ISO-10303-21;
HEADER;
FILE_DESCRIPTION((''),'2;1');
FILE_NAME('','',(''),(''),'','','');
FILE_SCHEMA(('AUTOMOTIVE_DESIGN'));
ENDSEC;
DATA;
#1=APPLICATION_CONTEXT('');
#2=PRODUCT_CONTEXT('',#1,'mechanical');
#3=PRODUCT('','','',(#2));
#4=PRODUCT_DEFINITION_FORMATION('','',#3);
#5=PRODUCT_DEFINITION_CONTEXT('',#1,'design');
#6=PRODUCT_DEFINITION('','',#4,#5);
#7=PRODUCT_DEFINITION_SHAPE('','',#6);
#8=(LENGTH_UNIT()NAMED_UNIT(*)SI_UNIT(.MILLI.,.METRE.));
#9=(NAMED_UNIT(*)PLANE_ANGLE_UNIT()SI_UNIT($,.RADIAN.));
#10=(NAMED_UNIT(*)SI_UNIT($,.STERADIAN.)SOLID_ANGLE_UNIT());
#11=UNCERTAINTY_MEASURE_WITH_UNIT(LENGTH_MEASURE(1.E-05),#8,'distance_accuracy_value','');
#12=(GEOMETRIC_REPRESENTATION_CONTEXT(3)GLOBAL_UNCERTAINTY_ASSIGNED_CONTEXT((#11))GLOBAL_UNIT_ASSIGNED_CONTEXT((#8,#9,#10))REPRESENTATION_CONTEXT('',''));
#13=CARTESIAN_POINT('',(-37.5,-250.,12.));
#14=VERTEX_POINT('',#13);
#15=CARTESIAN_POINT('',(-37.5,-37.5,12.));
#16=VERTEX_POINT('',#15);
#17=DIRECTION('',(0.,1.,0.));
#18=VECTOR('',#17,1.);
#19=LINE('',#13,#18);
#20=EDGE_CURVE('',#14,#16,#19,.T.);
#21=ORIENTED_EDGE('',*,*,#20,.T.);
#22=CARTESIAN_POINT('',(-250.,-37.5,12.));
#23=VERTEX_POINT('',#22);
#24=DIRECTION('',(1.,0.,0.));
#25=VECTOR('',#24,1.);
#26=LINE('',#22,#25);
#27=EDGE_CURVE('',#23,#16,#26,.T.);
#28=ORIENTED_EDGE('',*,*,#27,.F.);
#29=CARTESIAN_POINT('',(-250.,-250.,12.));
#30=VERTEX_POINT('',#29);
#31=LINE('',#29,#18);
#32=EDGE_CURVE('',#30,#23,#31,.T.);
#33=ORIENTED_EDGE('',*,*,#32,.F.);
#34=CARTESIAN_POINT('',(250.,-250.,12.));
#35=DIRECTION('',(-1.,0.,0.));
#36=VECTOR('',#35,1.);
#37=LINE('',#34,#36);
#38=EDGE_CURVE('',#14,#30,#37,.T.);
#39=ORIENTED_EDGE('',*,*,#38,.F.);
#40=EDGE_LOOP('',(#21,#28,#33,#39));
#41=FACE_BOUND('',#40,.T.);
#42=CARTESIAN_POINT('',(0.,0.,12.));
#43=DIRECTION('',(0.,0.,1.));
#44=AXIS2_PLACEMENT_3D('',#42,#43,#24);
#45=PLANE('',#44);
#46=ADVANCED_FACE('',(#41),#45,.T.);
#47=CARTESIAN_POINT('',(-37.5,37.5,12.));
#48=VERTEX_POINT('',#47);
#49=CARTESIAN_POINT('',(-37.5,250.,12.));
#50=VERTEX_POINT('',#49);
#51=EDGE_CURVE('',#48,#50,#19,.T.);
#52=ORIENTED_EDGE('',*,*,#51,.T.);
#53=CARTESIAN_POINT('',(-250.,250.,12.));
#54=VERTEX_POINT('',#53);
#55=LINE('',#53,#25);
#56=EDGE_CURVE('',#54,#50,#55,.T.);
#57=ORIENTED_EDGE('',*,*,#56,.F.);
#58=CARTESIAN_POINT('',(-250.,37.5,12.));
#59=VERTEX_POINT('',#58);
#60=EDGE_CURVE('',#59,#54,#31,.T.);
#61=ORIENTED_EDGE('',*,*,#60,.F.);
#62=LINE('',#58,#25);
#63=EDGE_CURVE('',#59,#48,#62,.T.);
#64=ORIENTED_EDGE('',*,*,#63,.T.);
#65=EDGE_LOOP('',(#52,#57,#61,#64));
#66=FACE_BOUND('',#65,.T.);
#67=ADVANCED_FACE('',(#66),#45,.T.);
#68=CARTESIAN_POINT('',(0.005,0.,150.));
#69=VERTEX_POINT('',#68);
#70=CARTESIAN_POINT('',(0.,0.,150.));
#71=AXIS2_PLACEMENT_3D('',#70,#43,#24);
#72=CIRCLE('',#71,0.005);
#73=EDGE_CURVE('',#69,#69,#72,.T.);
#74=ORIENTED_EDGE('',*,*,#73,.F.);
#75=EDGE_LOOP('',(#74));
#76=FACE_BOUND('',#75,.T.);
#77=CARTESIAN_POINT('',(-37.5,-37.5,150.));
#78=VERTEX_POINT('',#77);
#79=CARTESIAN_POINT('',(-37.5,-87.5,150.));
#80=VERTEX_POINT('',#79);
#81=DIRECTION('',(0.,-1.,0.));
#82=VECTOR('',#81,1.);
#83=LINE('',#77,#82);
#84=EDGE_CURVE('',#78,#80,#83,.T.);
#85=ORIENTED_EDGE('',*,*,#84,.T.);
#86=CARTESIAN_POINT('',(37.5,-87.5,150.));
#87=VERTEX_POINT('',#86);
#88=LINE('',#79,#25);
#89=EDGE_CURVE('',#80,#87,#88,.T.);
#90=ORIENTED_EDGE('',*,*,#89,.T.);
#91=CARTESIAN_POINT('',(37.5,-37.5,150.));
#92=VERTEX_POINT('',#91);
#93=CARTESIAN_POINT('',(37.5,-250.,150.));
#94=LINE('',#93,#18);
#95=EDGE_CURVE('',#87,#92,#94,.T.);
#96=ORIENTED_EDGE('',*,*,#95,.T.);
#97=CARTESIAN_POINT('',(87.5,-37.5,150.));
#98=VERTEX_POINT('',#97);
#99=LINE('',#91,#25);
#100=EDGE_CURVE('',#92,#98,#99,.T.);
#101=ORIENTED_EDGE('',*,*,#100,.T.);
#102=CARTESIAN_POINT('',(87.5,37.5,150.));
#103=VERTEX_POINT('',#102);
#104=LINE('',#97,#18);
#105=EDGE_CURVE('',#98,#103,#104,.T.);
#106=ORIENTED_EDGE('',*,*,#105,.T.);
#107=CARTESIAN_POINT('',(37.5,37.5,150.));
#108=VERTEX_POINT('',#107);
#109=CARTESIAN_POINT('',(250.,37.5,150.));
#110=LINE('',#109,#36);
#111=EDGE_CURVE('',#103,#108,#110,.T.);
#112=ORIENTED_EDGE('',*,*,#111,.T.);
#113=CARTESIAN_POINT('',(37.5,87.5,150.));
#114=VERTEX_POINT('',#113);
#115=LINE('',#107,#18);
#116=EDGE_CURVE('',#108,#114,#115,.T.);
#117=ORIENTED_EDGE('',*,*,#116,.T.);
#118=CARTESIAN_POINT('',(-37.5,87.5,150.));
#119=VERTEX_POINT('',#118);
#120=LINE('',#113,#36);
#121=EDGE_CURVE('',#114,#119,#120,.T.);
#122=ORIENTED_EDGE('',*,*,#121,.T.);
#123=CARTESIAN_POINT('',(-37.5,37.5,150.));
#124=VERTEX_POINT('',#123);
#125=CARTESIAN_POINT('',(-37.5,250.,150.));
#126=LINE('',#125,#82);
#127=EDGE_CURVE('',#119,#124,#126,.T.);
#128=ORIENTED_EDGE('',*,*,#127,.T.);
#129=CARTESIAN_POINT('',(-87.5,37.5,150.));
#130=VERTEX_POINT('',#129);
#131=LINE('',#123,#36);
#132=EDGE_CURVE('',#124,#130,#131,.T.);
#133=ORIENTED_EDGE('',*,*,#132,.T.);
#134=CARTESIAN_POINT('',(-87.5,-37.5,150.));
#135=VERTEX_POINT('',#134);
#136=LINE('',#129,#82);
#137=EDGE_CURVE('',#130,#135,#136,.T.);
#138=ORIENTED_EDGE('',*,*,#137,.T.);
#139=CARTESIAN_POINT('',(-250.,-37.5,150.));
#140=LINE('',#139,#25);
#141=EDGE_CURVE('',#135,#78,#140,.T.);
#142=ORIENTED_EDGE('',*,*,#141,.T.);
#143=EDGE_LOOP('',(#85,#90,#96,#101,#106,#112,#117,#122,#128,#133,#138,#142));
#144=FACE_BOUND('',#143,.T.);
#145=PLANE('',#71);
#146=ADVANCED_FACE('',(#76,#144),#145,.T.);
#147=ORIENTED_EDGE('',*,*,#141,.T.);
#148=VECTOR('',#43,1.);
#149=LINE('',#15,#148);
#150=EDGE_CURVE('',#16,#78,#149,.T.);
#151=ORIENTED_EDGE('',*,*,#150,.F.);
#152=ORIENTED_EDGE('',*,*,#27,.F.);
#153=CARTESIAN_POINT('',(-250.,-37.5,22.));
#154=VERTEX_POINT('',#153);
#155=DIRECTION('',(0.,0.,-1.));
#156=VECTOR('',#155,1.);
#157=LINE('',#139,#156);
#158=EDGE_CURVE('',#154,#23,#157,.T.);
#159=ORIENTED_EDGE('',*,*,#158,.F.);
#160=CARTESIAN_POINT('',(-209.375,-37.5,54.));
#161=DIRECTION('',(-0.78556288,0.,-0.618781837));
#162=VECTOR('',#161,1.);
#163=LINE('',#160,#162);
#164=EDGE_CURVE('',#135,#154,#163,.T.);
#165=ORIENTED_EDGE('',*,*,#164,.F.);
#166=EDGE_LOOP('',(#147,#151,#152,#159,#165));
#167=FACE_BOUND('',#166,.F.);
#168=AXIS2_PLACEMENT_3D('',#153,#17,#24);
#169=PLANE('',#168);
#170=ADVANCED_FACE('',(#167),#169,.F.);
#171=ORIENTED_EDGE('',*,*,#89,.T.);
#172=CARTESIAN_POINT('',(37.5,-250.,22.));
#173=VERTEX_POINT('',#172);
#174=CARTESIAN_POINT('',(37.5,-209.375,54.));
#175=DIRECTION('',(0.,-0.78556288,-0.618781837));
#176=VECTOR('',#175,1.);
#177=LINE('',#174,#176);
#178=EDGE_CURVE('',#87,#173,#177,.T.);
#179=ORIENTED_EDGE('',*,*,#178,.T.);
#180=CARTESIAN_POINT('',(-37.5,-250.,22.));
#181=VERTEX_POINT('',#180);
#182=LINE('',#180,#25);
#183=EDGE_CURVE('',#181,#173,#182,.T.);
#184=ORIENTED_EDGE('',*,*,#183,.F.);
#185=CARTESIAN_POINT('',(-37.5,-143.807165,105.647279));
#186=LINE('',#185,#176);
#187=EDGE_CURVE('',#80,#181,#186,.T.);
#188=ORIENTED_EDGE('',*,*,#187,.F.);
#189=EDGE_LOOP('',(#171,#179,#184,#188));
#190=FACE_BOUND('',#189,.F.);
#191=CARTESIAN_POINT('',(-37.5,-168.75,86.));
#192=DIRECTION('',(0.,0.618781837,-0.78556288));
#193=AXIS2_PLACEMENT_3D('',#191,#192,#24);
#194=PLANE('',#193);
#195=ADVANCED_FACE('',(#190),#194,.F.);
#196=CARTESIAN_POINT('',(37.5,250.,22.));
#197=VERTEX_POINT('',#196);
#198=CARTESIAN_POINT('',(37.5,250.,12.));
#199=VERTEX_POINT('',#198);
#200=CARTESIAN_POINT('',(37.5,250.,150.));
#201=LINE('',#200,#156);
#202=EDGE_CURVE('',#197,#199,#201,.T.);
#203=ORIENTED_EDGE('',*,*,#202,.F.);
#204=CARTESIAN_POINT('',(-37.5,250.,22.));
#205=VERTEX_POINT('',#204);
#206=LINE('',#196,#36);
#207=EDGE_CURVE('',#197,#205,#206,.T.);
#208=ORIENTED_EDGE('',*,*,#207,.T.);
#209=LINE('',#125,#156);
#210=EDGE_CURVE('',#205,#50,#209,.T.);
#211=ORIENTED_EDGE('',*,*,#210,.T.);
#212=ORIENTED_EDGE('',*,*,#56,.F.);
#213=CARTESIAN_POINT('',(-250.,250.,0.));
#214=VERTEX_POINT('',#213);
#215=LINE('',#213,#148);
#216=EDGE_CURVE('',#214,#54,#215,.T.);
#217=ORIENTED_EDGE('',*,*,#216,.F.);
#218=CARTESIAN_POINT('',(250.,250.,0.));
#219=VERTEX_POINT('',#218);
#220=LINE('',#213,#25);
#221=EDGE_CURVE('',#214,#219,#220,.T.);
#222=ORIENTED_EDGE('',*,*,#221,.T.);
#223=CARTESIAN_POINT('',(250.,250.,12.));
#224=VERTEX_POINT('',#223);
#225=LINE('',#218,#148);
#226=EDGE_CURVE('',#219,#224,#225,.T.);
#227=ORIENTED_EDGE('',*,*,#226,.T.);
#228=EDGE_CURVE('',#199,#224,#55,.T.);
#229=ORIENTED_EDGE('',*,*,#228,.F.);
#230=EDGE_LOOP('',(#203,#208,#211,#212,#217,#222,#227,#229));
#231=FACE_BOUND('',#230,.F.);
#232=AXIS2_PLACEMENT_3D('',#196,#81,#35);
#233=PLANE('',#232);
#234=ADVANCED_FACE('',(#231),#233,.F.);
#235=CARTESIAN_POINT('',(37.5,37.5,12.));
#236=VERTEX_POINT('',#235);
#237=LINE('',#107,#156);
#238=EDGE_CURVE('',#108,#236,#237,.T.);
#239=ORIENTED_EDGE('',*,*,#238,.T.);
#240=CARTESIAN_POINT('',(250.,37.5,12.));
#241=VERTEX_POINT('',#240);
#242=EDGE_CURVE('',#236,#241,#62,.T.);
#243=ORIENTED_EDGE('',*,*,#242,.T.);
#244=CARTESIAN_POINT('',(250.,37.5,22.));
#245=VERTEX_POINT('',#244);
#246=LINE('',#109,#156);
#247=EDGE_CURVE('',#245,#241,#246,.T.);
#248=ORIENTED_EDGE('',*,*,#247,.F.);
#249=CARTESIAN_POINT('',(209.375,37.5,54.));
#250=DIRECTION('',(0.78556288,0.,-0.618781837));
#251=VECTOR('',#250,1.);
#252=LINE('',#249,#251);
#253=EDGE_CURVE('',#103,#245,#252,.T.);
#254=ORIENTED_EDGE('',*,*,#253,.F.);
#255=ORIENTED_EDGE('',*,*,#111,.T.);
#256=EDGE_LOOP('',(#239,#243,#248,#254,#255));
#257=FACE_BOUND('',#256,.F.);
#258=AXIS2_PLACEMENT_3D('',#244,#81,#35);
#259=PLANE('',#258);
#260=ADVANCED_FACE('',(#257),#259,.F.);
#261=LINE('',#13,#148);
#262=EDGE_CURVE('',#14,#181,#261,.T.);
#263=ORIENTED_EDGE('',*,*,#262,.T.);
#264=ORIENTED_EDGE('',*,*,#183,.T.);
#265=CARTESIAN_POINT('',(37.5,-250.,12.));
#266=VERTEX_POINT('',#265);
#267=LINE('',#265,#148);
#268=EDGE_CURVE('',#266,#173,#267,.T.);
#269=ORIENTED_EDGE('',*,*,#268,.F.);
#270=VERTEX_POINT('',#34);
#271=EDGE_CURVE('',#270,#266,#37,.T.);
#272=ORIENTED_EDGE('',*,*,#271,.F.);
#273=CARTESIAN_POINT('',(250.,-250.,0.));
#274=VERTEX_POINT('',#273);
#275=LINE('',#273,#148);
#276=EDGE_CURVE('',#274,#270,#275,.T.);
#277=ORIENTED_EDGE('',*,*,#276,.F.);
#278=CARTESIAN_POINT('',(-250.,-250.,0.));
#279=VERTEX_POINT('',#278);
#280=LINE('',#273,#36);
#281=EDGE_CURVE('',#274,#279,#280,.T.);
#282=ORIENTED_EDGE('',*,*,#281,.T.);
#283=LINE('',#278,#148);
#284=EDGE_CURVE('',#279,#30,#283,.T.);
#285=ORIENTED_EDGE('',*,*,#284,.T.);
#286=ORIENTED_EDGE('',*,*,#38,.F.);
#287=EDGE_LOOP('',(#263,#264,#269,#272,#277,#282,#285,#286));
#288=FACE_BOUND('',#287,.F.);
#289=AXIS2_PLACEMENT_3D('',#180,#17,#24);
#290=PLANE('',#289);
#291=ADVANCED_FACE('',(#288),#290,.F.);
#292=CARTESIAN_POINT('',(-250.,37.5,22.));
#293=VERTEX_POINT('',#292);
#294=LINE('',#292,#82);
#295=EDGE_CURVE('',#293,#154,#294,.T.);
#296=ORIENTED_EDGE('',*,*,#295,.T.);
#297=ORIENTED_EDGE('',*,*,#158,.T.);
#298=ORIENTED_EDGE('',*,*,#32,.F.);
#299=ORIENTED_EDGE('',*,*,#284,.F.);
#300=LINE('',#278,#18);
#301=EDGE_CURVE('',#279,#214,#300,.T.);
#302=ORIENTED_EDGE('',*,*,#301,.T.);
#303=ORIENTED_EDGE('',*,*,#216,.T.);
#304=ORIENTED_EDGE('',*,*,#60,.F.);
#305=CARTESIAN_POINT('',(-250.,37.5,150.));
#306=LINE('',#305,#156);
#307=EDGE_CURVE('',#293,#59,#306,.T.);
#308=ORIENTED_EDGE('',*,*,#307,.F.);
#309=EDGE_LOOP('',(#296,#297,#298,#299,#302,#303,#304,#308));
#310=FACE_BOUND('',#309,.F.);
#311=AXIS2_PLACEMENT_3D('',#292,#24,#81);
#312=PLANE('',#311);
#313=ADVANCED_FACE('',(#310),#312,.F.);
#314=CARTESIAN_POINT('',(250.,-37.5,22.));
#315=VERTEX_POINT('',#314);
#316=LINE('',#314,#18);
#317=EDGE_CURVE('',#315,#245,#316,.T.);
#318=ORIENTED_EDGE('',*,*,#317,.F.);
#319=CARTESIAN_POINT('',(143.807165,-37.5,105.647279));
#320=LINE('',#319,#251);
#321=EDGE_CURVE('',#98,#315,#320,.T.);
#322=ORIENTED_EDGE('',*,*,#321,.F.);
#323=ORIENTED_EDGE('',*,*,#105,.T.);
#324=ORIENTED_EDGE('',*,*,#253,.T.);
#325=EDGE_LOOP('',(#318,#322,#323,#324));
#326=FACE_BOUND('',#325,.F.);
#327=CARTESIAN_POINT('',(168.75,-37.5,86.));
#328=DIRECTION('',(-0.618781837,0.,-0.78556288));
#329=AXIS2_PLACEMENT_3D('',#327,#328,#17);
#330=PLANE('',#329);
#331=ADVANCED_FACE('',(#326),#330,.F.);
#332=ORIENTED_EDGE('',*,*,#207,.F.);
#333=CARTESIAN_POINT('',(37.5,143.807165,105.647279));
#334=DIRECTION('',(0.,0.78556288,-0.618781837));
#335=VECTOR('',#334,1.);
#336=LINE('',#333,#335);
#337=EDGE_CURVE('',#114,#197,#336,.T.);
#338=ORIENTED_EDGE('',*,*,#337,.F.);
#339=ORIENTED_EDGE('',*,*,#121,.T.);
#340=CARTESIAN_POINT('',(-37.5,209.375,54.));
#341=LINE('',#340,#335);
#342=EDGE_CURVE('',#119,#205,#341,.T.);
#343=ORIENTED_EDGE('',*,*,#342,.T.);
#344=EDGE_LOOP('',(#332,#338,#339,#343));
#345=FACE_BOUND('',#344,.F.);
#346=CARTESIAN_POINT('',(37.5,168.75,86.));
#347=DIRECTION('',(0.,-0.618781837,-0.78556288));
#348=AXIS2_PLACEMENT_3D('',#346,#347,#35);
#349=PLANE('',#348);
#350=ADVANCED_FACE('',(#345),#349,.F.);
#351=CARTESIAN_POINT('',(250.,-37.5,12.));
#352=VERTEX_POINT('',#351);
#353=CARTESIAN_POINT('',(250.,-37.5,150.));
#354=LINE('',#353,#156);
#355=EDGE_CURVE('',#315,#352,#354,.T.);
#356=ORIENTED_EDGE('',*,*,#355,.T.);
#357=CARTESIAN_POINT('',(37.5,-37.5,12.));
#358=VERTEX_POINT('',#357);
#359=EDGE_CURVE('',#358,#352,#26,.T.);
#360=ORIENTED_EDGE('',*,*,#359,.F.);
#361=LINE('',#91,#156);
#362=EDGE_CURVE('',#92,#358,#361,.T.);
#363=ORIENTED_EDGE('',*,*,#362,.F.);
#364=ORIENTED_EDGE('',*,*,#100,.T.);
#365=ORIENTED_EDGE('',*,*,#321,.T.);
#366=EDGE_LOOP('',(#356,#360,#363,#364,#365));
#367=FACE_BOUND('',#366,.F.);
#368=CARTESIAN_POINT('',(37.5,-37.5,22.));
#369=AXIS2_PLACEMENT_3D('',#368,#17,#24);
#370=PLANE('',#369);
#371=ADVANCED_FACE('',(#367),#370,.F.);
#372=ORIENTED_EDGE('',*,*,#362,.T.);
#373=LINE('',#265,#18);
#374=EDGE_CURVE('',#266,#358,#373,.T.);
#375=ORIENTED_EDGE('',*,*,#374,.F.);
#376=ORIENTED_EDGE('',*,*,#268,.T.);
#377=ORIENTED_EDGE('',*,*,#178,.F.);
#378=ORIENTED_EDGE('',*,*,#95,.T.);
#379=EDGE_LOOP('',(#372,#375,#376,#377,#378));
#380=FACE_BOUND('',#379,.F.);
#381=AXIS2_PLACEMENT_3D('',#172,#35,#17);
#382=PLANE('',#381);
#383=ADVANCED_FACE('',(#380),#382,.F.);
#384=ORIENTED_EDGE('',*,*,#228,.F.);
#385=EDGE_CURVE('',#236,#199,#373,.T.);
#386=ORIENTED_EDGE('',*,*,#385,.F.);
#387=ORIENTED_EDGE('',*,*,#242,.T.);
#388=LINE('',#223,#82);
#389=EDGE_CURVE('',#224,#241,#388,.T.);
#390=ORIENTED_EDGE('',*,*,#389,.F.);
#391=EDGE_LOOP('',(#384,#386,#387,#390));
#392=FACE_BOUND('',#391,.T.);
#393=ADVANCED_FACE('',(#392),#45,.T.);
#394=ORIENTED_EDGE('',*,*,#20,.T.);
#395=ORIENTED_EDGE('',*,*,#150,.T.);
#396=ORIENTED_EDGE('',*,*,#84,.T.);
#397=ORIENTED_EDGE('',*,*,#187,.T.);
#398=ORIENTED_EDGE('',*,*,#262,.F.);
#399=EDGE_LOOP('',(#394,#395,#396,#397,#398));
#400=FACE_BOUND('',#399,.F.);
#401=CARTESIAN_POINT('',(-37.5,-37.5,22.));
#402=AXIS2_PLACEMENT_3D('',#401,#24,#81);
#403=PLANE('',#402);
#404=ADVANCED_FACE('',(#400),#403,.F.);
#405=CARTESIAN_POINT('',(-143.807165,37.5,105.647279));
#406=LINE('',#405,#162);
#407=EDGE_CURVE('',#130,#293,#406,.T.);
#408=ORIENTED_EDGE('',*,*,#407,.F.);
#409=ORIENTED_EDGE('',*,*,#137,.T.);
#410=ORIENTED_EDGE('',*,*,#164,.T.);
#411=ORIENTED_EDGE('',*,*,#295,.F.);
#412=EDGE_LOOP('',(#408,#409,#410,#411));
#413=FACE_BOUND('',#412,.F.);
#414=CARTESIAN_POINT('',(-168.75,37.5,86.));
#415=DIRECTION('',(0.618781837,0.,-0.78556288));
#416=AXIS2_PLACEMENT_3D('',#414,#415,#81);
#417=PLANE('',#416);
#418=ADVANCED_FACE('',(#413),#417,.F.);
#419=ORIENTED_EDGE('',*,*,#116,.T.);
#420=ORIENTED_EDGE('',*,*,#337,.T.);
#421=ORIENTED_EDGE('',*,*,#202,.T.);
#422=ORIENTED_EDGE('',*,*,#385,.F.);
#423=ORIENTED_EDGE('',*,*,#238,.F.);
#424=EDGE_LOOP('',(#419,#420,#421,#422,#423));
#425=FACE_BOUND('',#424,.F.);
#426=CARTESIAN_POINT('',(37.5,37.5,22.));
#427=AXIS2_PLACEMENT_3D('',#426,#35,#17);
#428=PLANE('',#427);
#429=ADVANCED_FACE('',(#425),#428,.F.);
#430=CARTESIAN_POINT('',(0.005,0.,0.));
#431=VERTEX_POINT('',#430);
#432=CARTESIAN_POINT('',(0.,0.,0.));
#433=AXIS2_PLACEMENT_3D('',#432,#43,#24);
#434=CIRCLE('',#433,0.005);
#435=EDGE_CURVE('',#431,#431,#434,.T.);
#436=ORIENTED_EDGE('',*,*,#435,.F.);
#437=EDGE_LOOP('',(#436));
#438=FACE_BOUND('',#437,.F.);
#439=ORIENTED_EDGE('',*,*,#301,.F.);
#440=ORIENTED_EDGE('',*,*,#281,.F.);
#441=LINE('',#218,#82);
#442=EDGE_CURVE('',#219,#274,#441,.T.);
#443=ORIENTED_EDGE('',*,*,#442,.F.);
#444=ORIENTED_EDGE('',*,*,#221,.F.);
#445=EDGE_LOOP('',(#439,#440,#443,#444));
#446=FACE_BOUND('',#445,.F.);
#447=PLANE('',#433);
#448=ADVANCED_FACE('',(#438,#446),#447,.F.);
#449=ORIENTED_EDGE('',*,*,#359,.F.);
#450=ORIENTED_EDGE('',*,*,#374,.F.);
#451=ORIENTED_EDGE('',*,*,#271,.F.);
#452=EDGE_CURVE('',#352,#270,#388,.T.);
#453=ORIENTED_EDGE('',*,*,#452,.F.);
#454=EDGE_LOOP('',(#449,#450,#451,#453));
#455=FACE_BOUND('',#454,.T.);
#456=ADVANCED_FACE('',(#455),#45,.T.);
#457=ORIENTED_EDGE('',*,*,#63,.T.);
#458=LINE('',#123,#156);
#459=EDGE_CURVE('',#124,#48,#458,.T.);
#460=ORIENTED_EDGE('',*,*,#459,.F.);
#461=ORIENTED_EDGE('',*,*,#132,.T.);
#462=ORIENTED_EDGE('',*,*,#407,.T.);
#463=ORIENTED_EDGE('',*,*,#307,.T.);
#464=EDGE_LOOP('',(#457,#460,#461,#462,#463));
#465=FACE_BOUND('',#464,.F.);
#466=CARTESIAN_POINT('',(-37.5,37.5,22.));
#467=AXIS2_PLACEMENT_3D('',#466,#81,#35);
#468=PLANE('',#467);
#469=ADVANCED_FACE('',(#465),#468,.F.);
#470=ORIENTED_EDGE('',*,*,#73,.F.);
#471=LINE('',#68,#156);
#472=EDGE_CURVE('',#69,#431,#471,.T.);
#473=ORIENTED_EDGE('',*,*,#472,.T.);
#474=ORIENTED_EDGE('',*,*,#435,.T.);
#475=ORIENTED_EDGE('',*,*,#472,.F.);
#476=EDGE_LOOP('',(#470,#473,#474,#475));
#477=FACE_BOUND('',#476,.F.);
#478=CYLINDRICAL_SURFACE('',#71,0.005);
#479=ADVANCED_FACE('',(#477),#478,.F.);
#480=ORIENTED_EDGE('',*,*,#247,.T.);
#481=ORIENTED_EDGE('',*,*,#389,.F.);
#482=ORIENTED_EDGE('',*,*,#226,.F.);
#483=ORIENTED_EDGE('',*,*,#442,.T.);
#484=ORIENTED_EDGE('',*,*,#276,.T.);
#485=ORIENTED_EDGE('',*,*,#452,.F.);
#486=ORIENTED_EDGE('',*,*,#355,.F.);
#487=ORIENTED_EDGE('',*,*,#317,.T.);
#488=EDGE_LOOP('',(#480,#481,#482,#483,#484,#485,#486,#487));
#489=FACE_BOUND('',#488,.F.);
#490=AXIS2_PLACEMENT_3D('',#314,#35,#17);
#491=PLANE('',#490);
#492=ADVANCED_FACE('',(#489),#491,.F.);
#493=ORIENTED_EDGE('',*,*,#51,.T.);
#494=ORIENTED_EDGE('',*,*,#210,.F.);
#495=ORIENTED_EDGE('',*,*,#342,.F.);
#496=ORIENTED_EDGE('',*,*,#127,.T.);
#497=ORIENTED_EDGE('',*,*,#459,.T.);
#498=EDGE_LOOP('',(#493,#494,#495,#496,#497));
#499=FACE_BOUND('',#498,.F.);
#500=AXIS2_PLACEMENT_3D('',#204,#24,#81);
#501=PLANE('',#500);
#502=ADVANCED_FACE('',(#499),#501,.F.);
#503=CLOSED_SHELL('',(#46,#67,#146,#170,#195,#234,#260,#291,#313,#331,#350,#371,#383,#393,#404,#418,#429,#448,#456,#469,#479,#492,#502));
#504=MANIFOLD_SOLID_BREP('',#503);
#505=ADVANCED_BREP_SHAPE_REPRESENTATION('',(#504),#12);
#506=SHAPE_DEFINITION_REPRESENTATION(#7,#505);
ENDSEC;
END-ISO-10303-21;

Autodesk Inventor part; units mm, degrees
ref_plane "YZ Plane" through (0, 0, 0) normal (1, 0, 0) x (0, 1, 0)
ref_plane "XZ Plane" through (0, 0, 0) normal (0, 1, 0) x (-1, 0, 0)
ref_plane "XY Plane" through (0, 0, 0) normal (0, 0, 1) x (1, 0, 0)
sketch "スケッチ1" plane through (0, 0, 0) normal (0, 0, 1) x (1, 0, 0)
  line L0 (250, 250) -> (250, -250)
  line L1 (250, -250) -> (-250, -250)
  line L2 (-250, -250) -> (-250, 250)
  line L3 (-250, 250) -> (250, 250)
  point P0 (0, 0)
  point P1 (0, 0)
  dimension "d0" = 500
extrude "押し出し1" add sketch "スケッチ1" along normal blind 12
sketch "スケッチ2" plane through (0, 0, 12) normal (0, 0, 1) x (1, 0, 0)
  line L0 (250, -250) -> (250, 250) projected
  line L1 (250, 250) -> (-250, 250) projected
  line L2 (-250, 250) -> (-250, -250) projected
  line L3 (-250, -250) -> (250, -250) projected
  line L4 (-250, -250) -> (-37.5, -250)
  line L5 (-250, -250) -> (250, -250) projected
  line L6 (-37.5, -250) -> (37.5, -250)
  line L7 (-37.5, -250) -> (-37.5, 250)
  line L8 (37.5, -250) -> (37.5, 250)
  line L9 (250, 250) -> (-250, 250) projected
  line L10 (-250, -250) -> (-250, -37.5)
  line L11 (-250, 250) -> (-250, -250) projected
  line L12 (-250, -37.5) -> (250, -37.5)
  line L13 (-250, -37.5) -> (-250, 37.5)
  line L14 (-250, 37.5) -> (250, 37.5)
  point P0 (0, 0)
  dimension "d3" = 212.5
  dimension "d4" = 75
  dimension "d5" = 212.5
  dimension "d6" = 75
extrude "押し出し2" add sketch "スケッチ2" along normal blind 10 contours L12 L8 L14 L0 | L3 L7 L12 L8 | L12 L7 L14 L8 | L14 L7 L1 L8 | L12 L2 L14 L7
sketch "スケッチ3" plane through (0, 0, 22) normal (0, 0, 1) x (1, 0, 0)
  line L0 (-37.5, -37.5) -> (-37.5, -250) projected
  line L1 (-37.5, -250) -> (37.5, -250) projected
  line L2 (37.5, -250) -> (37.5, -37.5) projected
  line L3 (37.5, -37.5) -> (250, -37.5) projected
  line L4 (250, -37.5) -> (250, 37.5) projected
  line L5 (250, 37.5) -> (37.5, 37.5) projected
  line L6 (37.5, 37.5) -> (37.5, 250) projected
  line L7 (37.5, 250) -> (-37.5, 250) projected
  line L8 (-37.5, 250) -> (-37.5, 37.5) projected
  line L9 (-37.5, 37.5) -> (-250, 37.5) projected
  line L10 (-250, 37.5) -> (-250, -37.5) projected
  line L11 (-250, -37.5) -> (-37.5, -37.5) projected
  point P0 (0, 0)
extrude "押し出し3" add sketch "スケッチ3" along normal blind 128
chamfer "面取り1" distance 162.5 distance2 128 1 edges at (-250, 0, 150) measured on face at (12.5, 179.1667, 150)
chamfer "面取り2" distance 162.5 distance2 128 1 edges at (0, -250, 150) measured on face at (12.5, 179.1667, 150)
chamfer "面取り3" distance 162.5 distance2 128 1 edges at (0, 250, 150) measured on face at (12.5, 108.3333, 150)
chamfer "面取り4" distance 162.5 distance2 128 1 edges at (250, 0, 150) measured on face at (108.3333, -12.5, 150)
sketch "スケッチ4" plane through (0, 0, 150) normal (0, 0, 1) x (1, 0, 0)
  circle A0 centre (0, 0) radius 0.005
  dimension "d23" = 0.01
extrude "押し出し4" cut sketch "スケッチ4" against normal through all
properties part number "障害物、山"
